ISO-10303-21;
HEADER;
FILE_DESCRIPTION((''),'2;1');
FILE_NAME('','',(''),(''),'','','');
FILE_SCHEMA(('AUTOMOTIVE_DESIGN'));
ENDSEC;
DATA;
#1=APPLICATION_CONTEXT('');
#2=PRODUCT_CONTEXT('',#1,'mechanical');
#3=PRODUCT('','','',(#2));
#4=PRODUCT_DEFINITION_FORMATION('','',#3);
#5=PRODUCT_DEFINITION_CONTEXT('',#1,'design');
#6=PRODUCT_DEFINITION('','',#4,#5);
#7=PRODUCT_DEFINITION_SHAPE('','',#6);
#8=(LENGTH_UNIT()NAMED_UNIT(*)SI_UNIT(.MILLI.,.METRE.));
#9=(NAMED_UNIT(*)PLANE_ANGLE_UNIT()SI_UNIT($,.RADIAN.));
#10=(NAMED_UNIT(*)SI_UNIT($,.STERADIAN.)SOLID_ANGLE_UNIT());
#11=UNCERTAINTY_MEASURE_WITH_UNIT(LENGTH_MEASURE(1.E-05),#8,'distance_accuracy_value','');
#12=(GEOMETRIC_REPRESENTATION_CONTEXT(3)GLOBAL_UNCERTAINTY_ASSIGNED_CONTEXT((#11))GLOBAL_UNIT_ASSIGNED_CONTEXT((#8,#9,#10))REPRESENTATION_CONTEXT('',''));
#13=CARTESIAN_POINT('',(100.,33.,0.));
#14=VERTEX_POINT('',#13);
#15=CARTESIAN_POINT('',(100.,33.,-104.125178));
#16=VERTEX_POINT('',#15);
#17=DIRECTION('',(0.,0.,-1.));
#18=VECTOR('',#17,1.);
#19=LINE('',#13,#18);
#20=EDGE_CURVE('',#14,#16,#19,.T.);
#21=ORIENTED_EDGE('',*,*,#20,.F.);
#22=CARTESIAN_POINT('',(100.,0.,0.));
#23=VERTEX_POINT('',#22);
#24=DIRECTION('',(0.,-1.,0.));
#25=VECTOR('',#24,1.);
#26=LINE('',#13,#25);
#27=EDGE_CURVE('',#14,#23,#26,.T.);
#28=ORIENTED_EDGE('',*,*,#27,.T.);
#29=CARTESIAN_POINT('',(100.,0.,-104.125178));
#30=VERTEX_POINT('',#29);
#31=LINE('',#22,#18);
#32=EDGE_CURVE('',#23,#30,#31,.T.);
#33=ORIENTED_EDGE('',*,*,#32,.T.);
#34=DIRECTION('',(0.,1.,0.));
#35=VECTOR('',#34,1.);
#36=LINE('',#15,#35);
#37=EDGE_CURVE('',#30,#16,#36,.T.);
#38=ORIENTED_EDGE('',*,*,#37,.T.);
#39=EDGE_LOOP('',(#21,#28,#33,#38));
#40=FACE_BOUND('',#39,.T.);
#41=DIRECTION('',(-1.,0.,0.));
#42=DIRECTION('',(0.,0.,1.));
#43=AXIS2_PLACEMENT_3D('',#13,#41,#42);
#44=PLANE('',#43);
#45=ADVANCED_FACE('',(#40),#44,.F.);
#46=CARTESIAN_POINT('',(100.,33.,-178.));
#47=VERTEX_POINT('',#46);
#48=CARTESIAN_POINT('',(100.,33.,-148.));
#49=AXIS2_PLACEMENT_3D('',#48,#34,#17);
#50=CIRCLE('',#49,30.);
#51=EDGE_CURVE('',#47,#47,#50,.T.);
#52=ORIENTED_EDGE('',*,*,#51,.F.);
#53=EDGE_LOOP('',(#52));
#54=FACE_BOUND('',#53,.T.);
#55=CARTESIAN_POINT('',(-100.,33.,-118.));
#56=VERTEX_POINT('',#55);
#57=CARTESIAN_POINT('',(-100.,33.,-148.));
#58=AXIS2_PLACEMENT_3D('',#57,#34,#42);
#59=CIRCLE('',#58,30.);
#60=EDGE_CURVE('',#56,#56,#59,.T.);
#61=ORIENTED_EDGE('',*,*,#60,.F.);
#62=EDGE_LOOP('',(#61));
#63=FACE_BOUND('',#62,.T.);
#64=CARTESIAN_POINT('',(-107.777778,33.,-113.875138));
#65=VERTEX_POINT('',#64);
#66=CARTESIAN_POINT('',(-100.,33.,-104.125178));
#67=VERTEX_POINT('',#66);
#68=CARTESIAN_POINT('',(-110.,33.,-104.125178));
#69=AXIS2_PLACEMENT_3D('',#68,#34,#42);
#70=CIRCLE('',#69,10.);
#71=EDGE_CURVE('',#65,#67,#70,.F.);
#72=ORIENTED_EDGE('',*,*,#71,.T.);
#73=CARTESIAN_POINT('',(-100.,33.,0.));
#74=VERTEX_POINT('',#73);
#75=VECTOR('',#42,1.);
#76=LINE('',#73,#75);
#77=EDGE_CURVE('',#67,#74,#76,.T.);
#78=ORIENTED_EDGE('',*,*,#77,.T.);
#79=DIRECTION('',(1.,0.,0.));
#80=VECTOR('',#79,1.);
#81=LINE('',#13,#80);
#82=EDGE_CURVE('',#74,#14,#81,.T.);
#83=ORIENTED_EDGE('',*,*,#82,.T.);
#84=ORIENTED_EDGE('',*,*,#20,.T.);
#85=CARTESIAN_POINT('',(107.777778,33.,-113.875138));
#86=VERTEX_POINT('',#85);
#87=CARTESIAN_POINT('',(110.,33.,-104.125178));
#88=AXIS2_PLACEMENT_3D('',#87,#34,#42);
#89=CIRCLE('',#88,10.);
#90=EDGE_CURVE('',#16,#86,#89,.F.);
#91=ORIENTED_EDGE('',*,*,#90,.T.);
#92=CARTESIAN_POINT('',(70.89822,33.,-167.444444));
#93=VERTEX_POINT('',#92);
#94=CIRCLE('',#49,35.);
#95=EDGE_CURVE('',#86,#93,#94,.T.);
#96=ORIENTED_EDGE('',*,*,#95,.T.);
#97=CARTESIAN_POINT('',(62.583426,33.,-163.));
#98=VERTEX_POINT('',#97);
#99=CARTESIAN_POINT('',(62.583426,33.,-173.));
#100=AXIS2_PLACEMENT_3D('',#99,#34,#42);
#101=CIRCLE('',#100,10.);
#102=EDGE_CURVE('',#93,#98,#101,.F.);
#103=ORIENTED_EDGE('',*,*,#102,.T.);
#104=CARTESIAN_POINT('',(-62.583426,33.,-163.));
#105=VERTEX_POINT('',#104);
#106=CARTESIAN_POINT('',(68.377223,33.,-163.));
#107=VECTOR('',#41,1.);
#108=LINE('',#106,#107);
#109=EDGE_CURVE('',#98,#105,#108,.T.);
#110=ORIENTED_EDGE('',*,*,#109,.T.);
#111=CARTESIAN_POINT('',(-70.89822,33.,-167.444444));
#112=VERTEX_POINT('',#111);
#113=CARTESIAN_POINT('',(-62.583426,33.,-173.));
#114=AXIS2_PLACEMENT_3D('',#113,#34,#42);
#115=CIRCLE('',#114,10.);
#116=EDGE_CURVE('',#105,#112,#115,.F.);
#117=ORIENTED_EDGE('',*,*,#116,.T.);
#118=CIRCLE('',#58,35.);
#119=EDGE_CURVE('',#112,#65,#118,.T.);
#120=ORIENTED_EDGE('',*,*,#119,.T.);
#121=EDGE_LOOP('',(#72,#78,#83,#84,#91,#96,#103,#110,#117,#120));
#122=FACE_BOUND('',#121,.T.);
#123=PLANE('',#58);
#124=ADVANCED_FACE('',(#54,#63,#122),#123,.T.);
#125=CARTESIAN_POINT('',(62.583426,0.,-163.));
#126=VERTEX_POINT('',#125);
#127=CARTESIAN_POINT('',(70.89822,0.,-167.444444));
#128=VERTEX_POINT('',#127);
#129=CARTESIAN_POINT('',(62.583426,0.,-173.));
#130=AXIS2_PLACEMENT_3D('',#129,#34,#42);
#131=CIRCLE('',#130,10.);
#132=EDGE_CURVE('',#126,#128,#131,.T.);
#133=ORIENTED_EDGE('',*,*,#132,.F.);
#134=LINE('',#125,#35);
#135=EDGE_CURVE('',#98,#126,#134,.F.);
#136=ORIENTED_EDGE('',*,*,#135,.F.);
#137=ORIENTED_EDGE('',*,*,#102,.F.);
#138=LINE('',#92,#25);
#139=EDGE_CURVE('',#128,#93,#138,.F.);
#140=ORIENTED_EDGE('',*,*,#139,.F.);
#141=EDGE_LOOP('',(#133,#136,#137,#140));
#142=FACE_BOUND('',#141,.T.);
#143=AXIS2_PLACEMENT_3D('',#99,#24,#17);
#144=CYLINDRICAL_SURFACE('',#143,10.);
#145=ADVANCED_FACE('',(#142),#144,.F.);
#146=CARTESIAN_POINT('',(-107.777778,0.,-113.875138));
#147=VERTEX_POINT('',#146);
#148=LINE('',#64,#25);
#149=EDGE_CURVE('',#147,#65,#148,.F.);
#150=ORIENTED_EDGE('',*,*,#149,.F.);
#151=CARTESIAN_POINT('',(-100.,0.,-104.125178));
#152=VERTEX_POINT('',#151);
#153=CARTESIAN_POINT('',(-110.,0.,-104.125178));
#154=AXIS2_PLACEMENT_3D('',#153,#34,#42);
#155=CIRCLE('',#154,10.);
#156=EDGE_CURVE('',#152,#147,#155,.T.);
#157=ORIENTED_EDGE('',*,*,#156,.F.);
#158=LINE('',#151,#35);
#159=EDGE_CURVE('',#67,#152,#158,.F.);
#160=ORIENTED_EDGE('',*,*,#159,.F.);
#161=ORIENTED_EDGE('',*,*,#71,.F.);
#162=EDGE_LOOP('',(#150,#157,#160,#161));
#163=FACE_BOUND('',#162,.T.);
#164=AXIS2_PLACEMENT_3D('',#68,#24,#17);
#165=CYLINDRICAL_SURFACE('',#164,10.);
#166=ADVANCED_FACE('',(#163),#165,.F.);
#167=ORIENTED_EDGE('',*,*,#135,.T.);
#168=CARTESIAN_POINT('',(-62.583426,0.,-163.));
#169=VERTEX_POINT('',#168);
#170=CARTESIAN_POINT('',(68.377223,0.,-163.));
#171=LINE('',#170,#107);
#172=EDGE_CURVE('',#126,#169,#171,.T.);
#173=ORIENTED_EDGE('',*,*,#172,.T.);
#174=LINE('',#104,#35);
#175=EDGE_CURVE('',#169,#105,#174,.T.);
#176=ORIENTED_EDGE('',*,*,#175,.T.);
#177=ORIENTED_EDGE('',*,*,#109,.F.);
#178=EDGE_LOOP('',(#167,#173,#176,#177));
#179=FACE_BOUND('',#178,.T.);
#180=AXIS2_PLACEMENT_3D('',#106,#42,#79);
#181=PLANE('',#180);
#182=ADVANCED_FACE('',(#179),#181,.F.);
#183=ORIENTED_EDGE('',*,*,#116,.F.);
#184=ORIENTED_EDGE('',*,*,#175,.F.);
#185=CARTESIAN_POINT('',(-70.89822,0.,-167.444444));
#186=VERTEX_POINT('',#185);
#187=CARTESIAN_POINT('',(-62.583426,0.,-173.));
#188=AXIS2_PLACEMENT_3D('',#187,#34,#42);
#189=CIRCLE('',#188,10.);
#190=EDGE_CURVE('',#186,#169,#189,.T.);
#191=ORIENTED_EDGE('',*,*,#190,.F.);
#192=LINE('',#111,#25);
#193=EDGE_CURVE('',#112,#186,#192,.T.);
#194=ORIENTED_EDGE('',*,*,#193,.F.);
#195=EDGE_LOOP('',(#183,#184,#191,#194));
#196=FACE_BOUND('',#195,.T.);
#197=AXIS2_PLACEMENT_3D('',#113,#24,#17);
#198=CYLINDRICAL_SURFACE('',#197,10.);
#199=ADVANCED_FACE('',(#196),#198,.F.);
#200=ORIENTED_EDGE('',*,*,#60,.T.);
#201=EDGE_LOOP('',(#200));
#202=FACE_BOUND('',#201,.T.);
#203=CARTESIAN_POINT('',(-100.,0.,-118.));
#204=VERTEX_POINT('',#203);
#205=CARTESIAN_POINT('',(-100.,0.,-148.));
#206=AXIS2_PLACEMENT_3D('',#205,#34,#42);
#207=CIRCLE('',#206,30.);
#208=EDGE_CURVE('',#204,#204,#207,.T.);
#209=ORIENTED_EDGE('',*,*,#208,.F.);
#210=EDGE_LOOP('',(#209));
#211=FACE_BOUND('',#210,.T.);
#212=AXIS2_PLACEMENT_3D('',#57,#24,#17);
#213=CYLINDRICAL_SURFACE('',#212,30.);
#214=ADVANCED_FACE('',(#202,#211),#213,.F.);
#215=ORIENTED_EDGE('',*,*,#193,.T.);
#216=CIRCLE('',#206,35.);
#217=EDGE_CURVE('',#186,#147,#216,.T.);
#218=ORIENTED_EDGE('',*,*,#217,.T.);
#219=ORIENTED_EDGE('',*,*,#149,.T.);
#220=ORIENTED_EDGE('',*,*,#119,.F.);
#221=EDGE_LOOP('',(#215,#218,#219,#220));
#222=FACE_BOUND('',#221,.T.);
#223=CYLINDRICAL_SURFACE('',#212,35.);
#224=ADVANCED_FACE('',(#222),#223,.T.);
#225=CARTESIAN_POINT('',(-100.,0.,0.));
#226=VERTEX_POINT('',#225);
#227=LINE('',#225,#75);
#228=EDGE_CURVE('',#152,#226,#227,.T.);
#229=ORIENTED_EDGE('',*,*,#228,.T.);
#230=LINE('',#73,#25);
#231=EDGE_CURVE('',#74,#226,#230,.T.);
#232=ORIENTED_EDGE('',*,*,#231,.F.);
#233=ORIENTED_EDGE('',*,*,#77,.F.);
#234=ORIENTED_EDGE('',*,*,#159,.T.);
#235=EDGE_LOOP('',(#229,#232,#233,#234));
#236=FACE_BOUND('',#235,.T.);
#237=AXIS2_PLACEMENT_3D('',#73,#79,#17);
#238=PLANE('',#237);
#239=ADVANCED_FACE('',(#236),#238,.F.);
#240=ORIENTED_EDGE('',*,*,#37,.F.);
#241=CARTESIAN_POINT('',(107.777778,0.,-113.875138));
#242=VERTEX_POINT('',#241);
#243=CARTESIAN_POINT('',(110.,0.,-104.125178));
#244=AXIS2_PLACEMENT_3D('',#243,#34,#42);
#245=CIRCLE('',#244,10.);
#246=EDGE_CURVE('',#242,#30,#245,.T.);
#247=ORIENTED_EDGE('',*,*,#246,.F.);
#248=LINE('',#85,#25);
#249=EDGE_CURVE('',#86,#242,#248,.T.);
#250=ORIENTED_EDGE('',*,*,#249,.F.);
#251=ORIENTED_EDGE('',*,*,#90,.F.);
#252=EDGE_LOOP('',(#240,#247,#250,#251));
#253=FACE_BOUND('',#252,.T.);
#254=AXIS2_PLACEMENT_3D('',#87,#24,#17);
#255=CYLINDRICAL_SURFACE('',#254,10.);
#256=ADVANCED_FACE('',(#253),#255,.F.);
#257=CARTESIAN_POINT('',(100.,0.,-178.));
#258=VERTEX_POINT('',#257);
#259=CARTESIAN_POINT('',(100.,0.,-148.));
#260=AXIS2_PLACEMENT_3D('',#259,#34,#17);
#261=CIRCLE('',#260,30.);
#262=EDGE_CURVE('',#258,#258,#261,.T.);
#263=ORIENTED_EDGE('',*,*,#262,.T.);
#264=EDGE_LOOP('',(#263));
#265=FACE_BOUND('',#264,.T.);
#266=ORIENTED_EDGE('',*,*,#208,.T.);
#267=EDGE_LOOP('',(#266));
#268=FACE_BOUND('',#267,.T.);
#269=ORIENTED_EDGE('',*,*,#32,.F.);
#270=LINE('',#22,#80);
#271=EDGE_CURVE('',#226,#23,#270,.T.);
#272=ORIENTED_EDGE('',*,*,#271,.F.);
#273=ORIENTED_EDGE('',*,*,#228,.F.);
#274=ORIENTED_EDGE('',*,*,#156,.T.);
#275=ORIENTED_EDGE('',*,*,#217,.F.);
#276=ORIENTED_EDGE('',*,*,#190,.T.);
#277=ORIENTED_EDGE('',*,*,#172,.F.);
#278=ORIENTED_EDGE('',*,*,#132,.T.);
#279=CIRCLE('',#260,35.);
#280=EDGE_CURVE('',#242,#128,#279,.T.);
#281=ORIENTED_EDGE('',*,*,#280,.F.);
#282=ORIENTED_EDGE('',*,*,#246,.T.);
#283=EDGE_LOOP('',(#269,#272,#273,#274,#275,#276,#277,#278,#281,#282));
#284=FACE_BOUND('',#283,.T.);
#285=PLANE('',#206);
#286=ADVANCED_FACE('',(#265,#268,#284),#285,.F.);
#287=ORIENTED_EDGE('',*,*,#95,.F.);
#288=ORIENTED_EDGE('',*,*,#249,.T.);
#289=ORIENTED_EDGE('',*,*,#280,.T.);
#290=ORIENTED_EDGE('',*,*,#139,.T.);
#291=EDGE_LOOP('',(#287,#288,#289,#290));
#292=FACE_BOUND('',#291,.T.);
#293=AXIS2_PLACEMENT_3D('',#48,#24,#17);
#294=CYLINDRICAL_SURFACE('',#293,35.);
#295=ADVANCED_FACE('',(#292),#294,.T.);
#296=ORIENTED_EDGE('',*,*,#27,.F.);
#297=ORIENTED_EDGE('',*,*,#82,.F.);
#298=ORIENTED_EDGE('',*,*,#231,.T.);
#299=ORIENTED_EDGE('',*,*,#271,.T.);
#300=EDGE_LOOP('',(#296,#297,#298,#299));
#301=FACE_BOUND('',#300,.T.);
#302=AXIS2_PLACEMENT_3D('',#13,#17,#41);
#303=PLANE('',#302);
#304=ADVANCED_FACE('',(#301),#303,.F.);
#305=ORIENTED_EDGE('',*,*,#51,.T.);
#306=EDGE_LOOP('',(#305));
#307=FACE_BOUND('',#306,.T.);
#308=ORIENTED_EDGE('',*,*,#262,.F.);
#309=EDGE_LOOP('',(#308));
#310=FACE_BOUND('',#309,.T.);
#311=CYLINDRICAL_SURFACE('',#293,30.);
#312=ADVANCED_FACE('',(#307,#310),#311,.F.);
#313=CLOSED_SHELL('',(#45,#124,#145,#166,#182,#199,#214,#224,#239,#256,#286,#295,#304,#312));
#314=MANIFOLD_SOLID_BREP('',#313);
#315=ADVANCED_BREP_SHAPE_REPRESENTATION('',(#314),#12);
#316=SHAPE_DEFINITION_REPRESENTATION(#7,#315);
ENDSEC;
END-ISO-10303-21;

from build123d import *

# Parameters (mm, degrees)
SKETCH1_R           = 30
BOSS_EXTRUDE1_DEPTH = 33
FILLET1_R           = 10


with BuildPart() as part:
    # Sketch1 → Boss-Extrude1 (new body)
    with BuildSketch(Plane(origin=(0, 0, 0), x_dir=(1, 0, 0), z_dir=(0, 1, 0))):
        with BuildLine():
            Line((100, 0), (-100, 0))
            Line((-100, 0), (-100, 113))
            ThreePointArc((-100, 113), (-129.580398915, 166.708286934), (-68.377223398, 163))
            Line((-68.377223398, 163), (68.377223398, 163))
            ThreePointArc((68.377223398, 163), (129.580398915, 166.708286934), (100, 113))
            Line((100, 113), (100, 0))
        make_face()
        with Locations((-100, 148)):
            Circle(SKETCH1_R, mode=Mode.SUBTRACT)
        with Locations((100, 148)):
            Circle(SKETCH1_R, mode=Mode.SUBTRACT)
    extrude(amount=BOSS_EXTRUDE1_DEPTH)

    # Fillet1
    fillet1_edges = [part.edges().sort_by_distance(p)[0] for p in [
        (-100, 16.5, -113),
        (-68.377223398, 16.5, -163),
        (68.377223398, 16.5, -163),
        (100, 16.5, -113),
    ]]
    fillet(fillet1_edges, radius=FILLET1_R)


solid = part.part
